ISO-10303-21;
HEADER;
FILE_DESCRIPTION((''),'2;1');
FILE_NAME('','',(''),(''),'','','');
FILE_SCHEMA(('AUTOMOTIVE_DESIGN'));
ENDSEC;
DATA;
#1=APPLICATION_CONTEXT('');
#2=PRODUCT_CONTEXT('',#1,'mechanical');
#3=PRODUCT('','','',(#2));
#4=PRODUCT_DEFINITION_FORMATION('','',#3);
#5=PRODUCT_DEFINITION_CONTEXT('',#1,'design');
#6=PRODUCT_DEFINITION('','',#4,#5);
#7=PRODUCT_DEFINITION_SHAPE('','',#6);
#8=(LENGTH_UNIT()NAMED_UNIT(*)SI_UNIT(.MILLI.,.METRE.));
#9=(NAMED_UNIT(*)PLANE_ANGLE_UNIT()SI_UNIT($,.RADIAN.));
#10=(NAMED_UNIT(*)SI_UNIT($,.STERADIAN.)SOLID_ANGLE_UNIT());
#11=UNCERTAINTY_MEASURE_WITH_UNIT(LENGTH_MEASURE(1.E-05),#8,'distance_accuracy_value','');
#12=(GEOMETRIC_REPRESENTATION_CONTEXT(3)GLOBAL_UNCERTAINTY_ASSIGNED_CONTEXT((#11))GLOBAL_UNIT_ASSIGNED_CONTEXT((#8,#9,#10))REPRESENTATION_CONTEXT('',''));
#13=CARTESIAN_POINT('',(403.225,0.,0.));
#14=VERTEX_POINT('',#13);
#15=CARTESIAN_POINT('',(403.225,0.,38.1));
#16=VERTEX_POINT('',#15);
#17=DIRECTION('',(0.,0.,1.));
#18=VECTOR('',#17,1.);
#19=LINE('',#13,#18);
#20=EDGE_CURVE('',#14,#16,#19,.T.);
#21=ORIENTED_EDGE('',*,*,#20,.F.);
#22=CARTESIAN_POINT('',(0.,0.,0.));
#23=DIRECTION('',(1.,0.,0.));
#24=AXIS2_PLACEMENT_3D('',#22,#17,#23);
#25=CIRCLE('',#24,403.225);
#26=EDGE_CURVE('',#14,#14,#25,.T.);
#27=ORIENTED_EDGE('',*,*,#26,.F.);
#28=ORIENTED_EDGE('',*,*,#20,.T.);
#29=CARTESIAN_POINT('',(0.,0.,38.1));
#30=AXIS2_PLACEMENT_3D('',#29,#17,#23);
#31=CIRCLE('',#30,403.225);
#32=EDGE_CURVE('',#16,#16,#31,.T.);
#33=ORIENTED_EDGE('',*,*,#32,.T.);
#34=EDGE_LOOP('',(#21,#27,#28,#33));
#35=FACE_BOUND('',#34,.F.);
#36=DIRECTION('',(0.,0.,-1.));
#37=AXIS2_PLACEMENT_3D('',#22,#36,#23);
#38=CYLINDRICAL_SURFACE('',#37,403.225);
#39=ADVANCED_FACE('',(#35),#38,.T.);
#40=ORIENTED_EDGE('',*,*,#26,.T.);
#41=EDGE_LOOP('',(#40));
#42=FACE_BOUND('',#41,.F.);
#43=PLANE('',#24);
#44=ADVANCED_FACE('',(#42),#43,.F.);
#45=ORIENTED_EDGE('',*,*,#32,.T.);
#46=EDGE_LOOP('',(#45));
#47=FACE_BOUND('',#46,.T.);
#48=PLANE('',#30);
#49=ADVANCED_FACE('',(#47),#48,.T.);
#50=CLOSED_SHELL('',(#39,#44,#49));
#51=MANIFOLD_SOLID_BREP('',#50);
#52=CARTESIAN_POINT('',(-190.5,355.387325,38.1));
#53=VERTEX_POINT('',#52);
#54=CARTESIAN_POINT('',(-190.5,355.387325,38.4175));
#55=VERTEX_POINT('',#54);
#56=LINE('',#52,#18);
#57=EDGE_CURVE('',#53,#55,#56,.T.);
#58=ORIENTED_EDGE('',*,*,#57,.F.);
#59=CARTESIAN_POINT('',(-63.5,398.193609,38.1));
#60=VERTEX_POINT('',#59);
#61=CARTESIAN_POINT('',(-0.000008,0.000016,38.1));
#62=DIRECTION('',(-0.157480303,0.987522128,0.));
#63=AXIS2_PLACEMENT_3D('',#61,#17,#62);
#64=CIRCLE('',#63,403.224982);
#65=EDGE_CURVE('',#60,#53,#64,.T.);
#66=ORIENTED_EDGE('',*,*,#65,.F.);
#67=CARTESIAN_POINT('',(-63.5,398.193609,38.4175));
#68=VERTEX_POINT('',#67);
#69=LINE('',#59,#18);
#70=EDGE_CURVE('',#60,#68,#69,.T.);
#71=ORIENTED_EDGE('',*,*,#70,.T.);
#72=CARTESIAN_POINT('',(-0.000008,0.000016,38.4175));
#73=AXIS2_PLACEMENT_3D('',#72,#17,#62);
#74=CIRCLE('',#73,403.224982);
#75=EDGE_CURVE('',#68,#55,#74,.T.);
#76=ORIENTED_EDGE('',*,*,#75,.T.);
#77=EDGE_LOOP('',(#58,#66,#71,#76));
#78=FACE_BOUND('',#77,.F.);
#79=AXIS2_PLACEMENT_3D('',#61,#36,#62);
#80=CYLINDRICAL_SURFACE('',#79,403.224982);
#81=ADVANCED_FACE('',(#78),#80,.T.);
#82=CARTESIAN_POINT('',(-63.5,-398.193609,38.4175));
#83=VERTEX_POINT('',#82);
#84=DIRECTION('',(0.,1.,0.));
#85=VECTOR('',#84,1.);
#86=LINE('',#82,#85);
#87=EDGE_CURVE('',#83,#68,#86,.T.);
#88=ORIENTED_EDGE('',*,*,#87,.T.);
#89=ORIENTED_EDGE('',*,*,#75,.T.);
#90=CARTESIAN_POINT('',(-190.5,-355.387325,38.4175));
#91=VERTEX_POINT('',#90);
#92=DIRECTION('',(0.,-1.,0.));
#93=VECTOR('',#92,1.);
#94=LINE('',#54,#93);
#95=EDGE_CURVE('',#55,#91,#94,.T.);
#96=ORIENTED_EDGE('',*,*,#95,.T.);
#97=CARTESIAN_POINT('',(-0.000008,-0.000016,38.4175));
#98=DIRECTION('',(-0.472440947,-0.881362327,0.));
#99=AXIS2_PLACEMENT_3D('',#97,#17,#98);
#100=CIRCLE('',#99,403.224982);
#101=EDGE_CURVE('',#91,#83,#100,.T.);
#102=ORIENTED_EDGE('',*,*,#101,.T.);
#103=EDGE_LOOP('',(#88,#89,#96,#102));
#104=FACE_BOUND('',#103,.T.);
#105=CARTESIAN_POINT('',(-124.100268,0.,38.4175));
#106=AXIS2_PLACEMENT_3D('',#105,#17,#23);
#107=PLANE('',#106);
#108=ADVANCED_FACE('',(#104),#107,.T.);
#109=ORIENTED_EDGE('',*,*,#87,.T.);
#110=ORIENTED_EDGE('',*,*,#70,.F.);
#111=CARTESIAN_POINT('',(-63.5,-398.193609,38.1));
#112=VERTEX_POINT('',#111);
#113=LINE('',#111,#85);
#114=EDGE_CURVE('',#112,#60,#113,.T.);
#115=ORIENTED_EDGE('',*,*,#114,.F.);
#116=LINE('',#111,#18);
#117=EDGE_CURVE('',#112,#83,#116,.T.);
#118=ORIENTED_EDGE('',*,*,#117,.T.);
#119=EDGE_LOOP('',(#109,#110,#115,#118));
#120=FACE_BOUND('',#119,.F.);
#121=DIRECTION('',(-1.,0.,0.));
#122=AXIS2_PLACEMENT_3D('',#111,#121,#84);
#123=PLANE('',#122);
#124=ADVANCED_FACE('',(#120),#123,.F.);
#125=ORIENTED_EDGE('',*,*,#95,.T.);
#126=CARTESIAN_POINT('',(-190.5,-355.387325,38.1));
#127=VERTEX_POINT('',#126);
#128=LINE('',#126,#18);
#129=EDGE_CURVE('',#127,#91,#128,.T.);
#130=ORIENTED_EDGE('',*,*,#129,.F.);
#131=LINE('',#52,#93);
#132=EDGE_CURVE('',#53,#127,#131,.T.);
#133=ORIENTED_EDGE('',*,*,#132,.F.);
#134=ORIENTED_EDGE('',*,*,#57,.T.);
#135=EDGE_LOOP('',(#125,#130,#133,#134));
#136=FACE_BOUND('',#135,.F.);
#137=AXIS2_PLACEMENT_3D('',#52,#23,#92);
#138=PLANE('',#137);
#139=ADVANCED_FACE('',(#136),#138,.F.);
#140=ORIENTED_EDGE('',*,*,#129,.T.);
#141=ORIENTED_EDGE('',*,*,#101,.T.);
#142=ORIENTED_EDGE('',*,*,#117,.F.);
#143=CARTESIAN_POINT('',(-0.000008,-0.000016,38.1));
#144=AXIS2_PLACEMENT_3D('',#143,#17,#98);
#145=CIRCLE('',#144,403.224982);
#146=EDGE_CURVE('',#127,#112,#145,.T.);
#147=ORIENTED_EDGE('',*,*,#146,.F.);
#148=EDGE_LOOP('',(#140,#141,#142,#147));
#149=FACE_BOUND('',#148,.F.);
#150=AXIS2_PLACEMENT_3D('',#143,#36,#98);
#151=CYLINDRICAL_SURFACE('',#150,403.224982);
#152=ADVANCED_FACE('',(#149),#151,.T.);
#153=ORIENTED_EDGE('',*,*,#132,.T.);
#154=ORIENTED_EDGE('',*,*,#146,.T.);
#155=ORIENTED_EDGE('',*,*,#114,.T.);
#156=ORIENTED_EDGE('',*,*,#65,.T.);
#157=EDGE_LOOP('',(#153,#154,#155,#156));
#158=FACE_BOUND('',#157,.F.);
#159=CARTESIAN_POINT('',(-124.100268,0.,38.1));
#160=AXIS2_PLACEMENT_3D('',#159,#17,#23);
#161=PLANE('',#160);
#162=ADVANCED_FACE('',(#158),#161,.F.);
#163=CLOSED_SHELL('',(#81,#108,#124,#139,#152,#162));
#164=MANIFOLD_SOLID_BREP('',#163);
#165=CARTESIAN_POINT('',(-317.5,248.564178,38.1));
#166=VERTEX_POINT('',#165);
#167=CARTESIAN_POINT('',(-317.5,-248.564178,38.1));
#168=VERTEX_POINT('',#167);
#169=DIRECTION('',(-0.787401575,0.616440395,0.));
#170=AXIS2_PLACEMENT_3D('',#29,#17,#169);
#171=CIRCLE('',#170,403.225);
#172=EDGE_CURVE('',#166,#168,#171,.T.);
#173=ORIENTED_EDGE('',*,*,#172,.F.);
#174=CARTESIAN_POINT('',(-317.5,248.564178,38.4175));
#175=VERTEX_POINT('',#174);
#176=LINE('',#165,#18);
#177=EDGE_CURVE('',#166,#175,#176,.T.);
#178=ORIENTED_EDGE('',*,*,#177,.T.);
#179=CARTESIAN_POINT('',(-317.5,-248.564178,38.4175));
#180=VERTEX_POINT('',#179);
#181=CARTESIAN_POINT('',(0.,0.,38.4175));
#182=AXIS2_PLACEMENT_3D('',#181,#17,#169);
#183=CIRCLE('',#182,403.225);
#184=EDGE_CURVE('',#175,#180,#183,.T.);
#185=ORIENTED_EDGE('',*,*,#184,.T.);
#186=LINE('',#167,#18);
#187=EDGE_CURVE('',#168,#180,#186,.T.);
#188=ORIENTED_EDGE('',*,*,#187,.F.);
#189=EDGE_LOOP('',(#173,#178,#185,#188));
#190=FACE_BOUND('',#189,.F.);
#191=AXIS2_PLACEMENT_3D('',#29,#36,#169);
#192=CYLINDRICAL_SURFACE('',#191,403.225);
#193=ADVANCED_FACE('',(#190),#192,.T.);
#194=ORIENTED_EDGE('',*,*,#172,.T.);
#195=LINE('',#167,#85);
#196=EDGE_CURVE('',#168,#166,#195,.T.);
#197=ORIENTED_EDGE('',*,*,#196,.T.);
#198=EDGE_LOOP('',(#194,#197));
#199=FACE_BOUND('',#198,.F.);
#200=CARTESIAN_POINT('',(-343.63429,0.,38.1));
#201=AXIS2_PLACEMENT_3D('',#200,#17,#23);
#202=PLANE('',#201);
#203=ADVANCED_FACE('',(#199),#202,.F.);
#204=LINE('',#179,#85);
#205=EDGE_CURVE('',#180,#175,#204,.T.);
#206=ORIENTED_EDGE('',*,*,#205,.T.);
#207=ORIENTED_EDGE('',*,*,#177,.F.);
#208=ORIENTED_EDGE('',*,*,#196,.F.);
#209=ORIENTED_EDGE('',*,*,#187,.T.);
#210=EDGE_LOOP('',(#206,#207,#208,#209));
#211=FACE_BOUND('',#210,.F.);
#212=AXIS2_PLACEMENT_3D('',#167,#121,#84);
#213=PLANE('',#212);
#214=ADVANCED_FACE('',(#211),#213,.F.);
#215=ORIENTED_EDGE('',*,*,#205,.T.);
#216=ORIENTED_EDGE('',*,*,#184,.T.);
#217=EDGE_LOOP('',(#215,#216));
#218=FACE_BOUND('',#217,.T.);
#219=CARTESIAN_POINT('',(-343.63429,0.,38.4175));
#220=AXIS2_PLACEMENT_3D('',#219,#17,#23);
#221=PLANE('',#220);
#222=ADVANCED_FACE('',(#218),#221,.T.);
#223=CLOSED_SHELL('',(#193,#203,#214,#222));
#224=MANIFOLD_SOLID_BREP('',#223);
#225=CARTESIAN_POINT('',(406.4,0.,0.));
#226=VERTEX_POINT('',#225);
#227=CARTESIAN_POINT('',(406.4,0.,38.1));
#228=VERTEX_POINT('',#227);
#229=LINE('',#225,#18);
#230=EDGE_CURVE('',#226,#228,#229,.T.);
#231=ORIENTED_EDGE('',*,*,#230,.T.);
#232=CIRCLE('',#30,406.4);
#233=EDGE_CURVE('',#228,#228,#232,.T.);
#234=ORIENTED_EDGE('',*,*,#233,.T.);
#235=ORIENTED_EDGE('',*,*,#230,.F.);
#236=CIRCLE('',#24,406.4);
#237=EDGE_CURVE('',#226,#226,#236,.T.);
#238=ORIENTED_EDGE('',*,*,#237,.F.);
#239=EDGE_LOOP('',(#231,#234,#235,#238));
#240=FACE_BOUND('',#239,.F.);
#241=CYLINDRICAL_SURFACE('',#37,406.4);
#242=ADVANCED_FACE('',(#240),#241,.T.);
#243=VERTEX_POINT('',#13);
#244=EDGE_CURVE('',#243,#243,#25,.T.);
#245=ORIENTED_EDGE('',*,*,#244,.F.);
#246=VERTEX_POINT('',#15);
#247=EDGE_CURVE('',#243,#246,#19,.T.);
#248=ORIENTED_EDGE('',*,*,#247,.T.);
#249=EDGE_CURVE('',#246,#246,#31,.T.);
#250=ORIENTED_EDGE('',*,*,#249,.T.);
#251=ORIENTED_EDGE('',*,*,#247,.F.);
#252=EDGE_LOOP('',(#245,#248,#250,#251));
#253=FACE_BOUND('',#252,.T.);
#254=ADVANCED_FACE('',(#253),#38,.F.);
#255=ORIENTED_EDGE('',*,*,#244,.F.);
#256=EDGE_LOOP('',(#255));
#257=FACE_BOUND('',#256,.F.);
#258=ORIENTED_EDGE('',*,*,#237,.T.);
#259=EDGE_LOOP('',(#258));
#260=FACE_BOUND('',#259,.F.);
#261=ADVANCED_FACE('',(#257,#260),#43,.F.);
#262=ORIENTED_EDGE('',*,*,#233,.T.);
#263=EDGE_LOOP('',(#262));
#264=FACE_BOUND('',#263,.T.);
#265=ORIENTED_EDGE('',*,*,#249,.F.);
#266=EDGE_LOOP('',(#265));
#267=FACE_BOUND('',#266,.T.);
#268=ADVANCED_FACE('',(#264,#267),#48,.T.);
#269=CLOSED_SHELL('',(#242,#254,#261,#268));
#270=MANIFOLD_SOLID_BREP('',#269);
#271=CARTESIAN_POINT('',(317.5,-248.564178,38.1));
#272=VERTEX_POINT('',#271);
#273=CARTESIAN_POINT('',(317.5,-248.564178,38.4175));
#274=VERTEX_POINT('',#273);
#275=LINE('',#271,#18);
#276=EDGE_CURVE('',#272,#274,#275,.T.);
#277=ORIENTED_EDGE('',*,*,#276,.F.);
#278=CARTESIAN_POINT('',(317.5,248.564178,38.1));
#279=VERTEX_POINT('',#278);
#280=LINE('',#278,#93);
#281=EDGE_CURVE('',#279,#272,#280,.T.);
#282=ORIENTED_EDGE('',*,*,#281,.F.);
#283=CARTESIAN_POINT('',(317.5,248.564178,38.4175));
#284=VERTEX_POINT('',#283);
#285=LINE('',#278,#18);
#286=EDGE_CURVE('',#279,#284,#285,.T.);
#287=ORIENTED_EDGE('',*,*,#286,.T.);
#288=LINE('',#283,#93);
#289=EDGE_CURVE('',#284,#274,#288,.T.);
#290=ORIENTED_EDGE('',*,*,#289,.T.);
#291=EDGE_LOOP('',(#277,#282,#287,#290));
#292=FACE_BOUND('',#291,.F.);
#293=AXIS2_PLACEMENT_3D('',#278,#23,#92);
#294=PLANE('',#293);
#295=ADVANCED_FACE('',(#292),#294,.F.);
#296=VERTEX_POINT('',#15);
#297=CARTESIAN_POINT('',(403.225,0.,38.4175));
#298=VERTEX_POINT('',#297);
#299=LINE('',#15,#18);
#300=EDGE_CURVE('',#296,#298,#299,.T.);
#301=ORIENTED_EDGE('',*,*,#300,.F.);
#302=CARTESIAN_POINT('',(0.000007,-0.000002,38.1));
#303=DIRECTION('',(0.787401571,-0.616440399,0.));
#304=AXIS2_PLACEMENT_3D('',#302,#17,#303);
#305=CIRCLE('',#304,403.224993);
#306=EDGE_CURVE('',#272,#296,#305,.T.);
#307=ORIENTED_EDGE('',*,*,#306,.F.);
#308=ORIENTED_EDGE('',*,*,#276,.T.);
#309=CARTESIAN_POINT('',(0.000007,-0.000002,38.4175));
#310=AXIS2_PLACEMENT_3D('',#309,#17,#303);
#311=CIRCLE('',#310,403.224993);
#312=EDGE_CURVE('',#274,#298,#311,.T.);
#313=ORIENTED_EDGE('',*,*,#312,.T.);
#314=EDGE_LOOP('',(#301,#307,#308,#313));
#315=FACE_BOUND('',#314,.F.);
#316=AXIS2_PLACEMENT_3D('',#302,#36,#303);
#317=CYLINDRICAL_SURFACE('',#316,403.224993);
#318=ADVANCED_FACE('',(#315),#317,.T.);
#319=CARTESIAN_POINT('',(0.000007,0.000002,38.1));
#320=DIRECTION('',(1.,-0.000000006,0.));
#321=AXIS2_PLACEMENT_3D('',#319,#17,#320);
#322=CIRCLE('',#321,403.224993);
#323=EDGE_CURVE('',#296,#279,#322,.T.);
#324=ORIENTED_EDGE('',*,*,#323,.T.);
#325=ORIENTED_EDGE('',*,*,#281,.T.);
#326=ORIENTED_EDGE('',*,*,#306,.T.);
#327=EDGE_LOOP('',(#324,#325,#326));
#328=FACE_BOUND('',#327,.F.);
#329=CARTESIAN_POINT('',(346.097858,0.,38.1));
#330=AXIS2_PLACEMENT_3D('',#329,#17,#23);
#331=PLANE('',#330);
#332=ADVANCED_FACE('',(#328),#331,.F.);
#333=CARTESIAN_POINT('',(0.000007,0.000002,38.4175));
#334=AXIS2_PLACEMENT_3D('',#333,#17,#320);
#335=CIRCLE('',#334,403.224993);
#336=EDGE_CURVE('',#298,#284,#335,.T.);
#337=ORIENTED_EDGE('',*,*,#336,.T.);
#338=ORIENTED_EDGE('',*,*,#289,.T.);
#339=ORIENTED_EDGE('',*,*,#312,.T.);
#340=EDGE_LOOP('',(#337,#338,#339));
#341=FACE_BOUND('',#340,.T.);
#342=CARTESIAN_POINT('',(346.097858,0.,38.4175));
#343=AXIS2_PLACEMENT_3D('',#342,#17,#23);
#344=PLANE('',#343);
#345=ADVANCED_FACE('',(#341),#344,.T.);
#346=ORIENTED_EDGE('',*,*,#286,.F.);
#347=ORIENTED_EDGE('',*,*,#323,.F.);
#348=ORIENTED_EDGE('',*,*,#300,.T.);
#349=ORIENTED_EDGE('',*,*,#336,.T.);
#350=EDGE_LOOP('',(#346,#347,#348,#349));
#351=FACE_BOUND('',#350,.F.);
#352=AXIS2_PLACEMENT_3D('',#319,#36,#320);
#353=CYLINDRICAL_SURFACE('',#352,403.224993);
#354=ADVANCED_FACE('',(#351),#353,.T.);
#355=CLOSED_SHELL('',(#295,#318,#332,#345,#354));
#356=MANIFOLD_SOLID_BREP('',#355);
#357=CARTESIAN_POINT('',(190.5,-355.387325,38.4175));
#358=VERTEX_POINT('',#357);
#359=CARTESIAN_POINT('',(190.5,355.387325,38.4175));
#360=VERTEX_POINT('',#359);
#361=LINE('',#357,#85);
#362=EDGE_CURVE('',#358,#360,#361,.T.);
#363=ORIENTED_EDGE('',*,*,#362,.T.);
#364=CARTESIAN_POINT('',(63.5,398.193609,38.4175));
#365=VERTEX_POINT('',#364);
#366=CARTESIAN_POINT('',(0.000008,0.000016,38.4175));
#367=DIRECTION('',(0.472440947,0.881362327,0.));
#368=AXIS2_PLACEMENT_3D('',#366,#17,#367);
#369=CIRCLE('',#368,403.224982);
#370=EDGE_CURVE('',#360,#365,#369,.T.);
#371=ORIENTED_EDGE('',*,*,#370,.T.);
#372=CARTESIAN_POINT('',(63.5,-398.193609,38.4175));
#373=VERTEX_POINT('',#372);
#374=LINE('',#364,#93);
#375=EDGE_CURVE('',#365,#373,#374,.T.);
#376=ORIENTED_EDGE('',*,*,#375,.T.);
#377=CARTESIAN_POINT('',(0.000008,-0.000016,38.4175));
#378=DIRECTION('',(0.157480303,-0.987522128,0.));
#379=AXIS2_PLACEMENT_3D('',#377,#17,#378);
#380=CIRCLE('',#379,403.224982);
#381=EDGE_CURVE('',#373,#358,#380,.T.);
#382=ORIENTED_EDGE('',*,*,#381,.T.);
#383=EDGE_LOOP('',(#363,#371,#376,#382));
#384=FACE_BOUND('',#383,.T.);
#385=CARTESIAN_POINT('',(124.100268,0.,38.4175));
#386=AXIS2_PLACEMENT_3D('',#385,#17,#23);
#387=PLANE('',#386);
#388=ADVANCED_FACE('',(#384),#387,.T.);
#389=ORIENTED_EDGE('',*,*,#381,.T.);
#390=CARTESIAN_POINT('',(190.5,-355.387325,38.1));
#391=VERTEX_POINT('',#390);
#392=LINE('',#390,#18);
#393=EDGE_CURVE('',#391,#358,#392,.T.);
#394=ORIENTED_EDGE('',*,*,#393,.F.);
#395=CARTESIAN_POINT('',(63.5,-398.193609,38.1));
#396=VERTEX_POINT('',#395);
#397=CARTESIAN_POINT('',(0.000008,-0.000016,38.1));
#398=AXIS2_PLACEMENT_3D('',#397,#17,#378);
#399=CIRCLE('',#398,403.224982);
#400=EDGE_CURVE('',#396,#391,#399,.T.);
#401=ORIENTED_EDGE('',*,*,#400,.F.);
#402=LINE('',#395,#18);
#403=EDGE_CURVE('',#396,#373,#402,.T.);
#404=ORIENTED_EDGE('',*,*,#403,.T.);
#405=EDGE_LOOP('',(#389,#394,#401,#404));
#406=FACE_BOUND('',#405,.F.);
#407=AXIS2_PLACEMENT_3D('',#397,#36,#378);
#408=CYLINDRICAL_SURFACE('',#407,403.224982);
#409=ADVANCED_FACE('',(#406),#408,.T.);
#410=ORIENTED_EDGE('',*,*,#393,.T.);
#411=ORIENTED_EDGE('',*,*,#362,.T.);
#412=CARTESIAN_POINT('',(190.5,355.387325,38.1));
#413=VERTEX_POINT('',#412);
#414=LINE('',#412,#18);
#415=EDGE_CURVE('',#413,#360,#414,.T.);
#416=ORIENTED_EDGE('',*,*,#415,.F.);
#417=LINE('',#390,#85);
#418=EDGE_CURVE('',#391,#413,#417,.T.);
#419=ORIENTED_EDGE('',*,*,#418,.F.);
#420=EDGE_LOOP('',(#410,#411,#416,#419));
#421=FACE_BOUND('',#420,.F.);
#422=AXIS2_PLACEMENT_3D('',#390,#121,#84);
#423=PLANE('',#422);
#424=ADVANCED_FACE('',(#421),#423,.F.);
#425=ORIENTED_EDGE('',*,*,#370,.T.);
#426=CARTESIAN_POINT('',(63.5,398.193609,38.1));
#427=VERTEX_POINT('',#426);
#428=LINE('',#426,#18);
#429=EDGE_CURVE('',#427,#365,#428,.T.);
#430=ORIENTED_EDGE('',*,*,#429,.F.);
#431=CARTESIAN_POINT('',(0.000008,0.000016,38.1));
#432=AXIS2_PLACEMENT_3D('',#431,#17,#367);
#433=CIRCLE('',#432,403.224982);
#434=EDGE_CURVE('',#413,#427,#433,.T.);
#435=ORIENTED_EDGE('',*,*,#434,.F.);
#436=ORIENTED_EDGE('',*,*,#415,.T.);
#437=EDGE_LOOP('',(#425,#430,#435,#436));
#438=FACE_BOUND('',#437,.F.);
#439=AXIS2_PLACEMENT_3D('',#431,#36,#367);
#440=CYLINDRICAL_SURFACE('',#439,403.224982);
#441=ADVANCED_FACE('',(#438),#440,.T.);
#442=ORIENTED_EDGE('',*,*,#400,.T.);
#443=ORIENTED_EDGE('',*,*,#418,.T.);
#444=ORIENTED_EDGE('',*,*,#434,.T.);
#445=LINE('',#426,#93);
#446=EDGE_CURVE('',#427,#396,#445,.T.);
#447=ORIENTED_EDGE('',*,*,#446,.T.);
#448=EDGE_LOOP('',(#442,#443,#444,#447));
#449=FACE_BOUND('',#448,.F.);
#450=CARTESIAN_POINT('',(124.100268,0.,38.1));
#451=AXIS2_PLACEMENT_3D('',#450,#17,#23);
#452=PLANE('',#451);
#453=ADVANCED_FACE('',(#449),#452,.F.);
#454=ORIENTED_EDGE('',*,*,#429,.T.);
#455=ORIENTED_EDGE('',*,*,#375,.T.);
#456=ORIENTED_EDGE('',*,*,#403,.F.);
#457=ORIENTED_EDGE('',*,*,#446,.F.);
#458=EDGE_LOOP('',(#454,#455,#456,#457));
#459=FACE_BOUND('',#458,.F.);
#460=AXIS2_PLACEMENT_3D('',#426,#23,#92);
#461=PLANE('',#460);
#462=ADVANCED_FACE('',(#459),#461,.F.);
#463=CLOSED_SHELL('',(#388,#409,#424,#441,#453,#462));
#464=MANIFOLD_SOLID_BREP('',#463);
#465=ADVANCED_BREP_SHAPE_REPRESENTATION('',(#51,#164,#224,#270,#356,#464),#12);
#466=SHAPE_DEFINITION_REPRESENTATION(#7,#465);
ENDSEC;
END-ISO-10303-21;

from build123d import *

# Parameters (mm, degrees)
F0_R     = 403.225
F1_DEPTH = 38.1
F0_R_2   = 406.4
F2_DEPTH = 38.1
F4_DEPTH = 0.3175


with BuildPart() as f1:
    # F0 (on Top) → F1 (new body)
    with BuildSketch(Plane.XY):
        Circle(F0_R)
    extrude(amount=F1_DEPTH)


with BuildPart() as f2:
    # F0 (on Top) → F2 (new body)
    with BuildSketch(Plane.XY):
        Circle(F0_R_2)
        Circle(F0_R, mode=Mode.SUBTRACT)
    extrude(amount=F2_DEPTH)


with BuildPart() as f4:
    # F3 (on face) → F4 (new body)
    with BuildSketch(Plane.XY.offset(38.1)):
        with BuildLine():
            ThreePointArc((-317.5, 248.564178), (-403.225, 0), (-317.5, -248.564178))
            Line((-317.5, -248.564178), (-317.5, 248.564178))
        make_face()
        with BuildLine():
            ThreePointArc((-190.5, -355.387325), (-128.790894, -382.10379), (-63.5, -398.193609))
            Line((-63.5, -398.193609), (-63.5, 398.193609))
            ThreePointArc((-63.5, 398.193609), (-128.790894, 382.10379), (-190.5, 355.387325))
            Line((-190.5, 355.387325), (-190.5, -355.387325))
        make_face()
        with BuildLine():
            Line((63.5, 398.193609), (63.5, -398.193609))
            ThreePointArc((63.5, -398.193609), (128.790894, -382.10379), (190.5, -355.387325))
            Line((190.5, -355.387325), (190.5, 355.387325))
            ThreePointArc((190.5, 355.387325), (128.790894, 382.10379), (63.5, 398.193609))
        make_face()
        with BuildLine():
            Line((317.5, 248.564178), (317.5, -248.564178))
            ThreePointArc((317.5, -248.564178), (381.191775, -131.465705), (403.225, 0))
            ThreePointArc((403.225, 0), (381.191775, 131.465705), (317.5, 248.564178))
        make_face()
    extrude(amount=F4_DEPTH)


solid = Compound([f1.part, f2.part, f4.part])
